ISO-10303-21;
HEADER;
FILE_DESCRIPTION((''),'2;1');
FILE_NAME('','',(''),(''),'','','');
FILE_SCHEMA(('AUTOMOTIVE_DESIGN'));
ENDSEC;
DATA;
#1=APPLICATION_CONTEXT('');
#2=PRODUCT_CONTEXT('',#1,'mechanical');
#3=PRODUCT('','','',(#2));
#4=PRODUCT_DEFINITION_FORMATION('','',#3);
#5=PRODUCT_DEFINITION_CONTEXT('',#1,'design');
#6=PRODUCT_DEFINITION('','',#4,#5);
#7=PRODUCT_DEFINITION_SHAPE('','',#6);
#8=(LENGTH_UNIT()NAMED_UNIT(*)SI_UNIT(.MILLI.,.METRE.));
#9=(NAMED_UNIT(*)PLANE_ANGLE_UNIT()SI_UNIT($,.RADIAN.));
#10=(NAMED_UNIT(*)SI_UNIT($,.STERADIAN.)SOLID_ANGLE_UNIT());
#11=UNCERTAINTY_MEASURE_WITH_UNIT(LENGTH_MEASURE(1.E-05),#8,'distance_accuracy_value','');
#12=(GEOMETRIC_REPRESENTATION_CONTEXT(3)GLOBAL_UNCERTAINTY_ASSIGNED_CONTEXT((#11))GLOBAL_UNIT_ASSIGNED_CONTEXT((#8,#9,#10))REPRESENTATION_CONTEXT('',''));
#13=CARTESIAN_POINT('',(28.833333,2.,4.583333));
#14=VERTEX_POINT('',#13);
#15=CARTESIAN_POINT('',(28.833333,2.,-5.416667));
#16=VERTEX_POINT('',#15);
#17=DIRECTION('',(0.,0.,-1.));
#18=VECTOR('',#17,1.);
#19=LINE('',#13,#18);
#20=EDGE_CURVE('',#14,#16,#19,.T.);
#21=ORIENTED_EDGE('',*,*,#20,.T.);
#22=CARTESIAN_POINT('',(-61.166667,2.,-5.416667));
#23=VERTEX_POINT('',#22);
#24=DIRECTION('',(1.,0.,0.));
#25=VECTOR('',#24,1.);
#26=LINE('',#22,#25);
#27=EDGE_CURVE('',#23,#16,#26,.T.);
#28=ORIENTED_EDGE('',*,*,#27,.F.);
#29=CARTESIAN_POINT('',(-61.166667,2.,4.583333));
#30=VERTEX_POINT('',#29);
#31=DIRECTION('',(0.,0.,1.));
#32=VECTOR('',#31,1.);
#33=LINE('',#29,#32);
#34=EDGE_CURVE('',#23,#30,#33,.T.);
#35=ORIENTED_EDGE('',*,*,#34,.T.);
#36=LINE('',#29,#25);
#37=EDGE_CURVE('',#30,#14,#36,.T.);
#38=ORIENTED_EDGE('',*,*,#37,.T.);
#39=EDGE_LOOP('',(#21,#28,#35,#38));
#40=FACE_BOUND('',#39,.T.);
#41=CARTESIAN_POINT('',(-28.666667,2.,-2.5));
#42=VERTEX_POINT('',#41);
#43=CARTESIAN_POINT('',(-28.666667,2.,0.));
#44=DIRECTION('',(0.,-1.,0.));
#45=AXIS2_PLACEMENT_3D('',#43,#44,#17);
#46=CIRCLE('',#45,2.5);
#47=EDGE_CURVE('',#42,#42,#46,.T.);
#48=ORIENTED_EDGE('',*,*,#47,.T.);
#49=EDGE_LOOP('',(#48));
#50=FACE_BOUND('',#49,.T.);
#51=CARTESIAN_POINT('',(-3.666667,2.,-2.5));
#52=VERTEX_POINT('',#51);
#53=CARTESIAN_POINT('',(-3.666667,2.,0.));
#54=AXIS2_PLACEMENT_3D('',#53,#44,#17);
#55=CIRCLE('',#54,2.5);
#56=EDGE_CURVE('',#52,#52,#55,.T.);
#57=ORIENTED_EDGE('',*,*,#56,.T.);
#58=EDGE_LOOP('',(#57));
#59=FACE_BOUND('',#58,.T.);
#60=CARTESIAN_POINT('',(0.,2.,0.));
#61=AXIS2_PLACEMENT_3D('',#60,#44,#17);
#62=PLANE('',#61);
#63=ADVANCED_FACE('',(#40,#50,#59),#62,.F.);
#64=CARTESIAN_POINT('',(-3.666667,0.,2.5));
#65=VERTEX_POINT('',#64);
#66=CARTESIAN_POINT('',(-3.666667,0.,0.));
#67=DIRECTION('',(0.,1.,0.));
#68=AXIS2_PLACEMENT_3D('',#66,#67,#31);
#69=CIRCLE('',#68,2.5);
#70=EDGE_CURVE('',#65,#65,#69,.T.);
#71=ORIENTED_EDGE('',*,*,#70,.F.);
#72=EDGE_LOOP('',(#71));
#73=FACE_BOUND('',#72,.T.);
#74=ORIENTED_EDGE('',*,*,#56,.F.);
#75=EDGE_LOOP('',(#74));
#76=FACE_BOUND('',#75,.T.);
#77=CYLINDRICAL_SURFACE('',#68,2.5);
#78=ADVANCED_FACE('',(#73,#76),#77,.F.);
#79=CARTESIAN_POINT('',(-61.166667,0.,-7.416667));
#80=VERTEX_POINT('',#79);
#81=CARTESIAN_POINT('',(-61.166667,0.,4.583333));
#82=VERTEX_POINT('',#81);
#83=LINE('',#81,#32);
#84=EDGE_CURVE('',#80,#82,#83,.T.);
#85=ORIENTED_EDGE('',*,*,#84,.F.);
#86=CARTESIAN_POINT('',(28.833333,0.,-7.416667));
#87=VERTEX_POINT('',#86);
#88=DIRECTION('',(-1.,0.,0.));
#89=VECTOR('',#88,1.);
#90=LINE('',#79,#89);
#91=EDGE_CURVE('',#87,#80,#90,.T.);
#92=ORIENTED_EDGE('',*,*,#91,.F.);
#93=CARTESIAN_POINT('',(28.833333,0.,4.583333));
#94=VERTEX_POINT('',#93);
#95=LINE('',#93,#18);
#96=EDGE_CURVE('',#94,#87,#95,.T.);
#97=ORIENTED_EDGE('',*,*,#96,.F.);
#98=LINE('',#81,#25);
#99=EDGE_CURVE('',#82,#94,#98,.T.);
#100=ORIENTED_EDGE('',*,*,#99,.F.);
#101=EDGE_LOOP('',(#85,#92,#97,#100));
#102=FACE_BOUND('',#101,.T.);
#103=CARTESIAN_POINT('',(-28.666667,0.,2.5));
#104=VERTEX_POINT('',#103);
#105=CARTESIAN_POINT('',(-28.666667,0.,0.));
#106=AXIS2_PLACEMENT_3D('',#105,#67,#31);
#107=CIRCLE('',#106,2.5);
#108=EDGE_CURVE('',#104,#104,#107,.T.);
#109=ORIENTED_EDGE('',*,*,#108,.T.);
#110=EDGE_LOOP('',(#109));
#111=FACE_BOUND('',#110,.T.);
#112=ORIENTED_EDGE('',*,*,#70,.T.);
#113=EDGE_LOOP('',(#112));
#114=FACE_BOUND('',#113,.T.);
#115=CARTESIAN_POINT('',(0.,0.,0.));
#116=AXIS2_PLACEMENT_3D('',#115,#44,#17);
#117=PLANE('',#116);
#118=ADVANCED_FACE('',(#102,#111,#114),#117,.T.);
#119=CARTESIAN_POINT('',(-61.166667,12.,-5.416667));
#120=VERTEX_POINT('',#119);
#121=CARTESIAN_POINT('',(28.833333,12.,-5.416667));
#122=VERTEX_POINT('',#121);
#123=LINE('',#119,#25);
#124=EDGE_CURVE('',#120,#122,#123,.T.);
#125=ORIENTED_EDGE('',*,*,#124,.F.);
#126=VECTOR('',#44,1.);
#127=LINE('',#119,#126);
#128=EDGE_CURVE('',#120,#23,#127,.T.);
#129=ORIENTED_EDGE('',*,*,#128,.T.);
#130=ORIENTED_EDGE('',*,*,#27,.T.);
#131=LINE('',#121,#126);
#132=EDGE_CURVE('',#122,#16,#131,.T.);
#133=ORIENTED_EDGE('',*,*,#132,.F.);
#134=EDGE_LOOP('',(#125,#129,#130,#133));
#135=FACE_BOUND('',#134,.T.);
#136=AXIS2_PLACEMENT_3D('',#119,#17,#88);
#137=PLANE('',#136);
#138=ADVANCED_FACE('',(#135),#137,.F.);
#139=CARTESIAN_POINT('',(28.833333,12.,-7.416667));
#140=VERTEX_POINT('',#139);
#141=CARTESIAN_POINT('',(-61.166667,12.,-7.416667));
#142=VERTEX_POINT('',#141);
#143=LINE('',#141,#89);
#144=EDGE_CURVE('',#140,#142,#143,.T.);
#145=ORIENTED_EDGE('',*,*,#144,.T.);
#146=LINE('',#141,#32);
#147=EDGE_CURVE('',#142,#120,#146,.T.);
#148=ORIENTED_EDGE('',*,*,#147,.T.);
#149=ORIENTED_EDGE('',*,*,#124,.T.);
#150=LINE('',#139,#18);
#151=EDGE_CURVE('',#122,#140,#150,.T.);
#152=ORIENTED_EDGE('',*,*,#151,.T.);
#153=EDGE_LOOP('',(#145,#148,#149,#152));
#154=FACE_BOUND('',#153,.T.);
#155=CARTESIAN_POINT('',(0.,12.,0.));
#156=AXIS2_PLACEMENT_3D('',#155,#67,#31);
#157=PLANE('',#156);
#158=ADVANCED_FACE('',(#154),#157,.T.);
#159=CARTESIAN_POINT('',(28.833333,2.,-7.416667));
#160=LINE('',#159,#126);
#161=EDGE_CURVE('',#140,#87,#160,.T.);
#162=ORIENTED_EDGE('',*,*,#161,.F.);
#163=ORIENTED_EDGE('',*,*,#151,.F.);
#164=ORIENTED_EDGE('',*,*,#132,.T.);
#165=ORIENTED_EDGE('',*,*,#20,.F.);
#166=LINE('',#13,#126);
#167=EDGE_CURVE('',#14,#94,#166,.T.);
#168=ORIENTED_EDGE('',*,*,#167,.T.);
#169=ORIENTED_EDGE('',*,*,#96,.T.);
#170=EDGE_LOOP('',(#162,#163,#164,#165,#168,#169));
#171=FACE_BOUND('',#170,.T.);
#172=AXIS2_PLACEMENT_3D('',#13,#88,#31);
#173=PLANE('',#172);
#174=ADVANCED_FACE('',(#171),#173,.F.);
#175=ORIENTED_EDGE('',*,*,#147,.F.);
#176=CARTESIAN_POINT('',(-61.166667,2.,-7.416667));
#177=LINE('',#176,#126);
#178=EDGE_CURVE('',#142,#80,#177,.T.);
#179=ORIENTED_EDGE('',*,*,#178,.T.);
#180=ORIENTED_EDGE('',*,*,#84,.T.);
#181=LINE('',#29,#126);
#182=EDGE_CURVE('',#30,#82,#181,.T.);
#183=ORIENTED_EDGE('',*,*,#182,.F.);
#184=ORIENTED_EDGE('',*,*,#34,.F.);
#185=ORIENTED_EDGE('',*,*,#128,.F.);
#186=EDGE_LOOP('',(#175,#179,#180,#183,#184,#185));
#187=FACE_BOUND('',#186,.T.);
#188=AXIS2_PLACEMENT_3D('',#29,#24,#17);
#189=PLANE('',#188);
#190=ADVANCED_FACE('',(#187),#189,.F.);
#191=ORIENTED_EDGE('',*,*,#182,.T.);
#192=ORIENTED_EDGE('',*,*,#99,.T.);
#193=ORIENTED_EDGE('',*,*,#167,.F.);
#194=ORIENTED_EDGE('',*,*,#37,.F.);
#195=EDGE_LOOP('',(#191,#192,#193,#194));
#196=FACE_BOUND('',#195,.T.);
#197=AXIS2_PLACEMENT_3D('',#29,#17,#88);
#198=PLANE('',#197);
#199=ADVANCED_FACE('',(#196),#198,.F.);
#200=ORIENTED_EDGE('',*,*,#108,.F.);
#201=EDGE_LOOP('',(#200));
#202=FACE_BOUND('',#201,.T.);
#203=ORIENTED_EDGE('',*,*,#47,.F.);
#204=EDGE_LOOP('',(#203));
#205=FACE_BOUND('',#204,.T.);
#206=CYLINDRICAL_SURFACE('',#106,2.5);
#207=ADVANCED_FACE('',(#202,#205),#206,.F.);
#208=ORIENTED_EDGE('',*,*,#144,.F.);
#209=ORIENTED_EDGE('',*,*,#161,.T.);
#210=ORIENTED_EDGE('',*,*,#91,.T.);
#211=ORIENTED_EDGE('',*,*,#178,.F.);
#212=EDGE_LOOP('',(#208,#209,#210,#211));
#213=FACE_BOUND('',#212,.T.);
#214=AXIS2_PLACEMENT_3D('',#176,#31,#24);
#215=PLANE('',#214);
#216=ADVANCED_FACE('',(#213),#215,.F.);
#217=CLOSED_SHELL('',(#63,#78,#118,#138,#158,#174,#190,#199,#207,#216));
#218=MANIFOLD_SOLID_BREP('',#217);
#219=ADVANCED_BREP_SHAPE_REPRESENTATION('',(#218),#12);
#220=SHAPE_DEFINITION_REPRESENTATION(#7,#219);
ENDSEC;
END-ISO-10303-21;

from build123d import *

# Parameters (mm, degrees)
SKETCH1_W               = 90
SKETCH1_H               = 12
BOSS_EXTRUDE1_DEPTH     = 2
SKETCH2_W               = 90
SKETCH2_H               = 2
BOSS_EXTRUDE2_DEPTH     = 10
CUT_EXTRUDE1_DEPTH      = 63.420894383
CUT_EXTRUDE1_DEPTH_BACK = 63.420894383
SKETCH3_R               = 2.5


with BuildPart() as part:
    # Sketch1 → Boss-Extrude1 (new body)
    with BuildSketch(Plane(origin=(0, 0, 0), x_dir=(1, 0, 0), z_dir=(0, 1, 0))):
        with Locations((-16.166666667, 1.416666667)):
            Rectangle(SKETCH1_W, SKETCH1_H)
    extrude(amount=BOSS_EXTRUDE1_DEPTH)

    # Sketch2 → Boss-Extrude2 (add)
    with BuildSketch(Plane(origin=(0, 2, 0), x_dir=(1, 0, 0), z_dir=(0, 1, 0))):
        with Locations((-16.166666667, 6.416666667)):
            Rectangle(SKETCH2_W, SKETCH2_H)
    extrude(amount=BOSS_EXTRUDE2_DEPTH)

    # Sketch3 → Cut-Extrude1 (cut, two sides: drawn at the far end of the back side and taken through both)
    with BuildSketch(Plane(origin=(0, 2, 0), x_dir=(1, 0, 0), z_dir=(0, 1, 0)).offset(-CUT_EXTRUDE1_DEPTH_BACK)):
        with Locations(Location((-28.666666667, 0, 0), (0, 0, 270))):
            Circle(SKETCH3_R)
        with Locations(Location((-3.666666667, 0, 0), (0, 0, 270))):
            Circle(SKETCH3_R)
    extrude(amount=CUT_EXTRUDE1_DEPTH + CUT_EXTRUDE1_DEPTH_BACK, mode=Mode.SUBTRACT)


solid = part.part
